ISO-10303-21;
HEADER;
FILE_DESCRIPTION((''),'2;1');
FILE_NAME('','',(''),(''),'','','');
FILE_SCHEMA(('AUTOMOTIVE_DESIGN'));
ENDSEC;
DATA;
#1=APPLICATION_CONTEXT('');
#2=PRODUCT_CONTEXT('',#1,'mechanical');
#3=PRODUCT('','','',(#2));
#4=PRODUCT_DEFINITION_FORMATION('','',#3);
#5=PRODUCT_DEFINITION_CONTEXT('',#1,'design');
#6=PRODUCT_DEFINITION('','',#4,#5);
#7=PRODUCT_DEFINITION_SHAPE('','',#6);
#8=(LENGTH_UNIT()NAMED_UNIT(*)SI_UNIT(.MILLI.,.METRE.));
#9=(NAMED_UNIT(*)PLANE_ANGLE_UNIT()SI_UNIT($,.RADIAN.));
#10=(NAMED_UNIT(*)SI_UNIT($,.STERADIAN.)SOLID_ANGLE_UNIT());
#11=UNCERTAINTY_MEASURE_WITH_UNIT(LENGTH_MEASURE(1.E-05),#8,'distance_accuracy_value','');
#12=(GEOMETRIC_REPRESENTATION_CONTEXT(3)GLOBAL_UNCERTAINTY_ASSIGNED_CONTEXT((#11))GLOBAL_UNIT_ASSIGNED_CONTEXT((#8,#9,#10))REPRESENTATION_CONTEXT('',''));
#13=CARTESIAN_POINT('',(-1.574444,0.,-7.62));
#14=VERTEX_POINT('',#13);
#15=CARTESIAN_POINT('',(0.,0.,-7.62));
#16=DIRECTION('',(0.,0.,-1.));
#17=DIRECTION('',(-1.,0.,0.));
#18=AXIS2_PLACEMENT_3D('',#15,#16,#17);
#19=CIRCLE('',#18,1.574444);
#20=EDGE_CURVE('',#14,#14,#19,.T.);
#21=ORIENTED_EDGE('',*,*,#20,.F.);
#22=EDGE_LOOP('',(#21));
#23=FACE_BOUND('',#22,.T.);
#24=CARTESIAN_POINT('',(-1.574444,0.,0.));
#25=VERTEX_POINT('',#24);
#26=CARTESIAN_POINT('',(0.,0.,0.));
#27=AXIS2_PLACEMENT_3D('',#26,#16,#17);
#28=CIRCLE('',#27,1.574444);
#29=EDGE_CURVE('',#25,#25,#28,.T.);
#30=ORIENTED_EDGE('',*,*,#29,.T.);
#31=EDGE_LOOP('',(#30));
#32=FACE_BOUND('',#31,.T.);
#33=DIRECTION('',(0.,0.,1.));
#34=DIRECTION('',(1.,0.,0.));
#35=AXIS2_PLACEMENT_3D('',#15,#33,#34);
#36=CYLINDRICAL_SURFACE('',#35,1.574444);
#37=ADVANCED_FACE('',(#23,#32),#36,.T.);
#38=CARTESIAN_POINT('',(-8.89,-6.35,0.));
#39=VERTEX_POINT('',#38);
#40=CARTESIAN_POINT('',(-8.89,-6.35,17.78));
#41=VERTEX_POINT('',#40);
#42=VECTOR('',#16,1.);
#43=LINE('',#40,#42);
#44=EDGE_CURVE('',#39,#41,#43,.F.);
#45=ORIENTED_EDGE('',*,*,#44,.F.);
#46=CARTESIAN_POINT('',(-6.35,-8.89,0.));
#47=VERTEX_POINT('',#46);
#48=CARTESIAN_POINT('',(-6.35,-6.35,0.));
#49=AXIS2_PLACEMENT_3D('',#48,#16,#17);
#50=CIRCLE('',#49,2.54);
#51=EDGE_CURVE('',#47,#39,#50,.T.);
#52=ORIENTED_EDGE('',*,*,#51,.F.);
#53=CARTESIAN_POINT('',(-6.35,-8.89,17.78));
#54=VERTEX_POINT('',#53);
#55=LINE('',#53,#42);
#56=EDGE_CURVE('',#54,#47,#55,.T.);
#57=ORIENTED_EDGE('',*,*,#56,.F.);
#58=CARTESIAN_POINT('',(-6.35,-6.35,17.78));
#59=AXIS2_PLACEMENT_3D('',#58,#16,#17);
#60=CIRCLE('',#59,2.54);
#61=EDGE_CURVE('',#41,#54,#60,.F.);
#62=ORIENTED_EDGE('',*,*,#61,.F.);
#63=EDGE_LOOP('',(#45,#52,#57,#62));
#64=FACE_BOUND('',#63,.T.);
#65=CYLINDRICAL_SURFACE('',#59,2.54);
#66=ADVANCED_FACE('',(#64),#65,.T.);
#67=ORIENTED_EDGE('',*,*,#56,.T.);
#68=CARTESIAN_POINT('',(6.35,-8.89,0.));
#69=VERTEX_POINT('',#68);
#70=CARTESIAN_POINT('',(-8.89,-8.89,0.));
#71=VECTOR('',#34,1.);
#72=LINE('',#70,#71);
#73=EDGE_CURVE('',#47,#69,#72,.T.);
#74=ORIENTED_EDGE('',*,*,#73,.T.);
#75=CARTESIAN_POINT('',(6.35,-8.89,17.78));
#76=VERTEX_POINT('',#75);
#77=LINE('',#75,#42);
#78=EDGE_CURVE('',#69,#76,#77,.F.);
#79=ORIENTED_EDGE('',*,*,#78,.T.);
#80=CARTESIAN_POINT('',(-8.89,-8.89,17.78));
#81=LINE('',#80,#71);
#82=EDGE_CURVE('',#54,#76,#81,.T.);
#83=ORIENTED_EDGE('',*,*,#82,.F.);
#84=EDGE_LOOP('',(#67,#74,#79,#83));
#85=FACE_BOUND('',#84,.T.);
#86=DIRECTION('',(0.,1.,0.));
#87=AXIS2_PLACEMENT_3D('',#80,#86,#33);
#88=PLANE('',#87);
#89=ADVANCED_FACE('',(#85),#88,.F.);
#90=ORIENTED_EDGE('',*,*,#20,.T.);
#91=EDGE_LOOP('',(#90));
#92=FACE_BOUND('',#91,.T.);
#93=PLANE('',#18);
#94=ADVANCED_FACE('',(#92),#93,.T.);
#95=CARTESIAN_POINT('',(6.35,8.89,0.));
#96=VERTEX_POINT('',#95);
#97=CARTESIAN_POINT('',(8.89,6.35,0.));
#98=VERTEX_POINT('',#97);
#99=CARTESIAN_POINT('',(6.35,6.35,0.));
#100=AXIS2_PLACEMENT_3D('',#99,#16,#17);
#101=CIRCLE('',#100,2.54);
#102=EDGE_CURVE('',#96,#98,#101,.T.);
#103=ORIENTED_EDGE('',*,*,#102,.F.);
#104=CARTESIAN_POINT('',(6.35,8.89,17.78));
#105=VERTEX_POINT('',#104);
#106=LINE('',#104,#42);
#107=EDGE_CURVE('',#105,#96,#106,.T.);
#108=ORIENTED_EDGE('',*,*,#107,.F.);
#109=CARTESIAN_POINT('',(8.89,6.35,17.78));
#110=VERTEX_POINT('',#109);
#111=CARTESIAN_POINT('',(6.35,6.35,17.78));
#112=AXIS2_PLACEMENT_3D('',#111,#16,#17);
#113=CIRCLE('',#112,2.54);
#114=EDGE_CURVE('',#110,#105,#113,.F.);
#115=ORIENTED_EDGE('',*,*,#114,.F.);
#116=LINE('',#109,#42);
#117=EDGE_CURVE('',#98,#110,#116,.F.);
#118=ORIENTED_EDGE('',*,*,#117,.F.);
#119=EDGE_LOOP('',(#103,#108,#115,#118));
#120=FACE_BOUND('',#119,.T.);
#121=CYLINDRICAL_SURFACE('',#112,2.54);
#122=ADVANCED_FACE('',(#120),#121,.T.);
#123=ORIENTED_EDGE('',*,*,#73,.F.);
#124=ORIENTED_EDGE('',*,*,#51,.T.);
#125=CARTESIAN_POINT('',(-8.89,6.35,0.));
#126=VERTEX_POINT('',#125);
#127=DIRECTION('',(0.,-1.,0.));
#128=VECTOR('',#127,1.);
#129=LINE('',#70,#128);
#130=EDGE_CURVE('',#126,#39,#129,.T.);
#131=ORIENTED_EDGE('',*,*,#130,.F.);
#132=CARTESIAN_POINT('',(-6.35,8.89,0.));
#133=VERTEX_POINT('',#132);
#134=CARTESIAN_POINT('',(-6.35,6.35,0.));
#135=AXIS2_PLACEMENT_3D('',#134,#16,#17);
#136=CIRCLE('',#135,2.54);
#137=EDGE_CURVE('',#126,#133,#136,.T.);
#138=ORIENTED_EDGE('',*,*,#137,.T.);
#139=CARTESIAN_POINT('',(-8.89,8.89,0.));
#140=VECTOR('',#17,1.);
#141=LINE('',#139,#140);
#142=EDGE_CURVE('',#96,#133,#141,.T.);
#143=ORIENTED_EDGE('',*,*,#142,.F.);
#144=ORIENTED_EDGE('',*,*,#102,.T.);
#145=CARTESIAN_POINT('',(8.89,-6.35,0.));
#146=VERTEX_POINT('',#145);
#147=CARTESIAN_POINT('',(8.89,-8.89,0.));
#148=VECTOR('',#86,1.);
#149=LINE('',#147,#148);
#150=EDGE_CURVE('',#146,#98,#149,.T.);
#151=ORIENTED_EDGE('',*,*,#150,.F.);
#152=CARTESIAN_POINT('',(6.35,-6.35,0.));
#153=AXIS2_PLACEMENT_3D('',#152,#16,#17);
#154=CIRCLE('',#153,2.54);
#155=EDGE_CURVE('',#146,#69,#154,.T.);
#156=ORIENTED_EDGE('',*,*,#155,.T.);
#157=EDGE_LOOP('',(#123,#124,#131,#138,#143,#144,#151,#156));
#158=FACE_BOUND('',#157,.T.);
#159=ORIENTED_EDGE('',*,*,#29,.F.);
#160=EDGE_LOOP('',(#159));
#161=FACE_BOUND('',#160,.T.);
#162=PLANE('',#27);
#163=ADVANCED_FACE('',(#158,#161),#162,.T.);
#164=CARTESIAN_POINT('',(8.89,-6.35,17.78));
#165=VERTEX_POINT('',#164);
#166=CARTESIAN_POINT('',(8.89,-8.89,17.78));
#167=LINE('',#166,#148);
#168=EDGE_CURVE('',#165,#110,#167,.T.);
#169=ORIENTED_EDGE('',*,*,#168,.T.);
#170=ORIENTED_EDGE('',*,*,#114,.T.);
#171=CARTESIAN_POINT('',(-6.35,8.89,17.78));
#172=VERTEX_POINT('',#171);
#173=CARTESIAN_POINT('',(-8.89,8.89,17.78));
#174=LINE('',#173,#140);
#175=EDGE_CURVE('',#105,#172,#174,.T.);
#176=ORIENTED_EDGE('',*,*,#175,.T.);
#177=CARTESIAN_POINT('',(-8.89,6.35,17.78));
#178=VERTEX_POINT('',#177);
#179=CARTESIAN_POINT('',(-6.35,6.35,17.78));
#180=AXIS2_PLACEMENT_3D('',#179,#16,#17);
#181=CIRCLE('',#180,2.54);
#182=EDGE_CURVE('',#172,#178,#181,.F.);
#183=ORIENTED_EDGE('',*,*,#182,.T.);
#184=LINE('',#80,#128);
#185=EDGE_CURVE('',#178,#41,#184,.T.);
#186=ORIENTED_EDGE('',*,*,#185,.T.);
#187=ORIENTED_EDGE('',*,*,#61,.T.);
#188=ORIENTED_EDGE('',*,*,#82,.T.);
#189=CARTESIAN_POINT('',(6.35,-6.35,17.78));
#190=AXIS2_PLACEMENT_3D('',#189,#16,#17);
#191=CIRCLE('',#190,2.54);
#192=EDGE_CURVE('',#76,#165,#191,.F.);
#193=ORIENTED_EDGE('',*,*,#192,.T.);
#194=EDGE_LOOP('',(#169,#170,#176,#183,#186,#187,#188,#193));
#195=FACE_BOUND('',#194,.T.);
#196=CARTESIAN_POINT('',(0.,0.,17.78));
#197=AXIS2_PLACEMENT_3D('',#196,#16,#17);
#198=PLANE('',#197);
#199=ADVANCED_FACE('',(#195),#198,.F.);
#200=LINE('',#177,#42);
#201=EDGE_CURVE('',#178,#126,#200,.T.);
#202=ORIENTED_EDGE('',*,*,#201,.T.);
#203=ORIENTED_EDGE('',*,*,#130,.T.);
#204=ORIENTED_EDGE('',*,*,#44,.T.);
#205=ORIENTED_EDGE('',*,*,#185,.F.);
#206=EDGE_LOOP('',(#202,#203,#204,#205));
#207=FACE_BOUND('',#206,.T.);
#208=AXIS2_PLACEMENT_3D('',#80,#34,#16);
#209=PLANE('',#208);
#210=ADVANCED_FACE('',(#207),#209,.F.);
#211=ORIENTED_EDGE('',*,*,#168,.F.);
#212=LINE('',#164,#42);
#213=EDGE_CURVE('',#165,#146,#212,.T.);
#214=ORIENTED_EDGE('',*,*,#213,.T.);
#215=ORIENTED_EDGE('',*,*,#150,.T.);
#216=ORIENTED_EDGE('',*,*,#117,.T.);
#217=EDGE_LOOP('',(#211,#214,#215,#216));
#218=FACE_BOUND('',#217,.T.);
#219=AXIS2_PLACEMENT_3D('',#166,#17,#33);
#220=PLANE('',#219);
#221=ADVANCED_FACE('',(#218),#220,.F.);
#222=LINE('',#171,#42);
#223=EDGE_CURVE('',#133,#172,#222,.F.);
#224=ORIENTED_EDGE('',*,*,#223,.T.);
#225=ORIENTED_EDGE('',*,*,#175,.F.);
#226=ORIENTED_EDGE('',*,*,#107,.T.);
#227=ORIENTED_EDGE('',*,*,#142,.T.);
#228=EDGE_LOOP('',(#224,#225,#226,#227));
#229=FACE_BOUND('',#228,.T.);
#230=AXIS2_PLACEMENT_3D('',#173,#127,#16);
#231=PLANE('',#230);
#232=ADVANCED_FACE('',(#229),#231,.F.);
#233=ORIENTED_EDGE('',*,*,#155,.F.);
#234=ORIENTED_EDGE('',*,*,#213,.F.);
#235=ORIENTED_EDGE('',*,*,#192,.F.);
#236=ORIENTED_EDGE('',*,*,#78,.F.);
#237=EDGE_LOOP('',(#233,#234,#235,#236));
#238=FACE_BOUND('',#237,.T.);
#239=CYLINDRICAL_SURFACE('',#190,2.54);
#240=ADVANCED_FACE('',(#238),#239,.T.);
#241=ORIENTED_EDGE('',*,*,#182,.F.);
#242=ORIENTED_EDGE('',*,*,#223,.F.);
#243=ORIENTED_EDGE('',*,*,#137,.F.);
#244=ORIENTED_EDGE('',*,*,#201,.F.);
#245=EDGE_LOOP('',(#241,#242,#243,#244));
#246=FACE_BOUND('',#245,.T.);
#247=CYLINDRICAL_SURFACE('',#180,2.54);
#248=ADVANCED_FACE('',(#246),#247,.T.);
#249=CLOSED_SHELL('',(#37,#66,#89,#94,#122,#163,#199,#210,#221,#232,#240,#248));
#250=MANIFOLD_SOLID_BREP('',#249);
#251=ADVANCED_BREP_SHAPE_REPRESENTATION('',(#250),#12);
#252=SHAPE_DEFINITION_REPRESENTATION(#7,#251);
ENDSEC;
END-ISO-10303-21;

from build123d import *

# Parameters (mm, degrees)
SKETCH1_W           = 17.78
SKETCH1_H           = 17.78
BOSS_EXTRUDE1_DEPTH = 17.78
FILLET1_R           = 2.54
SKETCH2_R           = 1.574444288
BOSS_EXTRUDE2_DEPTH = 7.62


with BuildPart() as part:
    # Sketch1 → Boss-Extrude1 (new body)
    with BuildSketch(Plane.XY):
        Rectangle(SKETCH1_W, SKETCH1_H)
    extrude(amount=BOSS_EXTRUDE1_DEPTH)

    # Fillet1
    fillet1_edges = [part.edges().sort_by_distance(p)[0] for p in [
        (8.89, -8.89, 8.89),
        (-8.89, -8.89, 8.89),
        (-8.89, 8.89, 8.89),
        (8.89, 8.89, 8.89),
    ]]
    fillet(fillet1_edges, radius=FILLET1_R)

    # Sketch2 → Boss-Extrude2 (add)
    with BuildSketch(Plane(origin=(0, 0, 0), x_dir=(-1, 0, 0), z_dir=(0, 0, -1))):
        Circle(SKETCH2_R)
    extrude(amount=BOSS_EXTRUDE2_DEPTH)


solid = part.part
